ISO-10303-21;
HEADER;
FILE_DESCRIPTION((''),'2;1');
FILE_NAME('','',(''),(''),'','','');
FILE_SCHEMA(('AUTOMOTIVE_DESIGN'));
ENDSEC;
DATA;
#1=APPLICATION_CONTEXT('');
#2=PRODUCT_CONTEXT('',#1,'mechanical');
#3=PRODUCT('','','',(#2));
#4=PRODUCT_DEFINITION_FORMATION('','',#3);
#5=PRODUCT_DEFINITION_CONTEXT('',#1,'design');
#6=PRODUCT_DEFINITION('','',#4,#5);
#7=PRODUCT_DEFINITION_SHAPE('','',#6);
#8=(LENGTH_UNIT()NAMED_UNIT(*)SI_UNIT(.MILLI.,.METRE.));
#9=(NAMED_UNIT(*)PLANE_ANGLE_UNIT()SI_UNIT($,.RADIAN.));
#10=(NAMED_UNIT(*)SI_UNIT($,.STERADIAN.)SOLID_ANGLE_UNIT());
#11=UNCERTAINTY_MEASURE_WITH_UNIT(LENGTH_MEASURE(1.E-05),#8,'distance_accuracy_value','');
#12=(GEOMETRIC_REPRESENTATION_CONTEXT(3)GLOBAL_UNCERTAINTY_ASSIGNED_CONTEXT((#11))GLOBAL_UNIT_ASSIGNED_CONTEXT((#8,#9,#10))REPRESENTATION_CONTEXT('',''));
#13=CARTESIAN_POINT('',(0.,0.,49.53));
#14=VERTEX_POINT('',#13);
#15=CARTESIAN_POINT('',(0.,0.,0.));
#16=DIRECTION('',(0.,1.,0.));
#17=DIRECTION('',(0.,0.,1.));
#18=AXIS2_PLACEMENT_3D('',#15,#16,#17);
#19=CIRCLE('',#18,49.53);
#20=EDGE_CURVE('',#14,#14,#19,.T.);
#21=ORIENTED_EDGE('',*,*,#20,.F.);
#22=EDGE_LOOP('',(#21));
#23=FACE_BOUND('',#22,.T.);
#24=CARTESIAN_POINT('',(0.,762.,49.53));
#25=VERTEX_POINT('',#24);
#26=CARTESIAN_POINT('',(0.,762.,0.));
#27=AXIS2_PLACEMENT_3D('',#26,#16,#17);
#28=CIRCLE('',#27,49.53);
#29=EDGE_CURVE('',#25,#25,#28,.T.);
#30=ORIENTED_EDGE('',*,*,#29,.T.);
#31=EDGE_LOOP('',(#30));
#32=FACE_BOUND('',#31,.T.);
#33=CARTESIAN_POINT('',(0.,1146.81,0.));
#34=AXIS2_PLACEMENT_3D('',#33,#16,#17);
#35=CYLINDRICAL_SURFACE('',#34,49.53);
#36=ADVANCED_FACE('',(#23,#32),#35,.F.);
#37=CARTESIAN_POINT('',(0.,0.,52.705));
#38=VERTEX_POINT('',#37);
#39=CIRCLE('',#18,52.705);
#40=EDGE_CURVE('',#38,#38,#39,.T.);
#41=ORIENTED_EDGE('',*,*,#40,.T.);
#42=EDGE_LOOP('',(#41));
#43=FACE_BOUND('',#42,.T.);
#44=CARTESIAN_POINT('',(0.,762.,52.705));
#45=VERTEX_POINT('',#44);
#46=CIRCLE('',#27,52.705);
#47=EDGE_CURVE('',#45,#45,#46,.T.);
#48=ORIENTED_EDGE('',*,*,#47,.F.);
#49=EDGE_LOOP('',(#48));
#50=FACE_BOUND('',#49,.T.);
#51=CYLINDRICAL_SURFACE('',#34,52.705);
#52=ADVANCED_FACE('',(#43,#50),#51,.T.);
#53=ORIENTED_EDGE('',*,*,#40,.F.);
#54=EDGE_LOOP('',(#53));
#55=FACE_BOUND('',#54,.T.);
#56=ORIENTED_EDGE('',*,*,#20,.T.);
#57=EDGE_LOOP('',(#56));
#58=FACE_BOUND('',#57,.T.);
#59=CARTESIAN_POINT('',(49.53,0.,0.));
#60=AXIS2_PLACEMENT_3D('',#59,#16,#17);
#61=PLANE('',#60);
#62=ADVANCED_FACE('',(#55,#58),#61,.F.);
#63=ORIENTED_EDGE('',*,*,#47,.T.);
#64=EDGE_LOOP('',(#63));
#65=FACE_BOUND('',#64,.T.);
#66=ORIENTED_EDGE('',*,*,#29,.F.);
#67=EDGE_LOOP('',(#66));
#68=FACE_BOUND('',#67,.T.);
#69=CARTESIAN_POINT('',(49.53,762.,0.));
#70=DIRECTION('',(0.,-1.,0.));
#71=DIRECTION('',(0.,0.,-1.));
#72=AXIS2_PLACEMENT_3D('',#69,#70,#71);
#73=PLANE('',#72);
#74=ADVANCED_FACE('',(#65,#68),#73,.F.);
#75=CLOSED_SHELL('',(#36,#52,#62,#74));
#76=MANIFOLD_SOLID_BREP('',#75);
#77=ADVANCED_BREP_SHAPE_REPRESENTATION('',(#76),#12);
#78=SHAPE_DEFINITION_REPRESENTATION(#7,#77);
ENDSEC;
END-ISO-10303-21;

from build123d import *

# Parameters (mm, degrees)
SKETCH1_W = 3.175
SKETCH1_H = 762


with BuildPart() as part:
    # Sketch1 → Revolve1 (revolve)
    with BuildSketch(Plane.XY):
        with Locations((51.1175, 381)):
            Rectangle(SKETCH1_W, SKETCH1_H)
    revolve(axis=Axis((0, 797.913336974, 0), (0, -1, 0)))


solid = part.part
